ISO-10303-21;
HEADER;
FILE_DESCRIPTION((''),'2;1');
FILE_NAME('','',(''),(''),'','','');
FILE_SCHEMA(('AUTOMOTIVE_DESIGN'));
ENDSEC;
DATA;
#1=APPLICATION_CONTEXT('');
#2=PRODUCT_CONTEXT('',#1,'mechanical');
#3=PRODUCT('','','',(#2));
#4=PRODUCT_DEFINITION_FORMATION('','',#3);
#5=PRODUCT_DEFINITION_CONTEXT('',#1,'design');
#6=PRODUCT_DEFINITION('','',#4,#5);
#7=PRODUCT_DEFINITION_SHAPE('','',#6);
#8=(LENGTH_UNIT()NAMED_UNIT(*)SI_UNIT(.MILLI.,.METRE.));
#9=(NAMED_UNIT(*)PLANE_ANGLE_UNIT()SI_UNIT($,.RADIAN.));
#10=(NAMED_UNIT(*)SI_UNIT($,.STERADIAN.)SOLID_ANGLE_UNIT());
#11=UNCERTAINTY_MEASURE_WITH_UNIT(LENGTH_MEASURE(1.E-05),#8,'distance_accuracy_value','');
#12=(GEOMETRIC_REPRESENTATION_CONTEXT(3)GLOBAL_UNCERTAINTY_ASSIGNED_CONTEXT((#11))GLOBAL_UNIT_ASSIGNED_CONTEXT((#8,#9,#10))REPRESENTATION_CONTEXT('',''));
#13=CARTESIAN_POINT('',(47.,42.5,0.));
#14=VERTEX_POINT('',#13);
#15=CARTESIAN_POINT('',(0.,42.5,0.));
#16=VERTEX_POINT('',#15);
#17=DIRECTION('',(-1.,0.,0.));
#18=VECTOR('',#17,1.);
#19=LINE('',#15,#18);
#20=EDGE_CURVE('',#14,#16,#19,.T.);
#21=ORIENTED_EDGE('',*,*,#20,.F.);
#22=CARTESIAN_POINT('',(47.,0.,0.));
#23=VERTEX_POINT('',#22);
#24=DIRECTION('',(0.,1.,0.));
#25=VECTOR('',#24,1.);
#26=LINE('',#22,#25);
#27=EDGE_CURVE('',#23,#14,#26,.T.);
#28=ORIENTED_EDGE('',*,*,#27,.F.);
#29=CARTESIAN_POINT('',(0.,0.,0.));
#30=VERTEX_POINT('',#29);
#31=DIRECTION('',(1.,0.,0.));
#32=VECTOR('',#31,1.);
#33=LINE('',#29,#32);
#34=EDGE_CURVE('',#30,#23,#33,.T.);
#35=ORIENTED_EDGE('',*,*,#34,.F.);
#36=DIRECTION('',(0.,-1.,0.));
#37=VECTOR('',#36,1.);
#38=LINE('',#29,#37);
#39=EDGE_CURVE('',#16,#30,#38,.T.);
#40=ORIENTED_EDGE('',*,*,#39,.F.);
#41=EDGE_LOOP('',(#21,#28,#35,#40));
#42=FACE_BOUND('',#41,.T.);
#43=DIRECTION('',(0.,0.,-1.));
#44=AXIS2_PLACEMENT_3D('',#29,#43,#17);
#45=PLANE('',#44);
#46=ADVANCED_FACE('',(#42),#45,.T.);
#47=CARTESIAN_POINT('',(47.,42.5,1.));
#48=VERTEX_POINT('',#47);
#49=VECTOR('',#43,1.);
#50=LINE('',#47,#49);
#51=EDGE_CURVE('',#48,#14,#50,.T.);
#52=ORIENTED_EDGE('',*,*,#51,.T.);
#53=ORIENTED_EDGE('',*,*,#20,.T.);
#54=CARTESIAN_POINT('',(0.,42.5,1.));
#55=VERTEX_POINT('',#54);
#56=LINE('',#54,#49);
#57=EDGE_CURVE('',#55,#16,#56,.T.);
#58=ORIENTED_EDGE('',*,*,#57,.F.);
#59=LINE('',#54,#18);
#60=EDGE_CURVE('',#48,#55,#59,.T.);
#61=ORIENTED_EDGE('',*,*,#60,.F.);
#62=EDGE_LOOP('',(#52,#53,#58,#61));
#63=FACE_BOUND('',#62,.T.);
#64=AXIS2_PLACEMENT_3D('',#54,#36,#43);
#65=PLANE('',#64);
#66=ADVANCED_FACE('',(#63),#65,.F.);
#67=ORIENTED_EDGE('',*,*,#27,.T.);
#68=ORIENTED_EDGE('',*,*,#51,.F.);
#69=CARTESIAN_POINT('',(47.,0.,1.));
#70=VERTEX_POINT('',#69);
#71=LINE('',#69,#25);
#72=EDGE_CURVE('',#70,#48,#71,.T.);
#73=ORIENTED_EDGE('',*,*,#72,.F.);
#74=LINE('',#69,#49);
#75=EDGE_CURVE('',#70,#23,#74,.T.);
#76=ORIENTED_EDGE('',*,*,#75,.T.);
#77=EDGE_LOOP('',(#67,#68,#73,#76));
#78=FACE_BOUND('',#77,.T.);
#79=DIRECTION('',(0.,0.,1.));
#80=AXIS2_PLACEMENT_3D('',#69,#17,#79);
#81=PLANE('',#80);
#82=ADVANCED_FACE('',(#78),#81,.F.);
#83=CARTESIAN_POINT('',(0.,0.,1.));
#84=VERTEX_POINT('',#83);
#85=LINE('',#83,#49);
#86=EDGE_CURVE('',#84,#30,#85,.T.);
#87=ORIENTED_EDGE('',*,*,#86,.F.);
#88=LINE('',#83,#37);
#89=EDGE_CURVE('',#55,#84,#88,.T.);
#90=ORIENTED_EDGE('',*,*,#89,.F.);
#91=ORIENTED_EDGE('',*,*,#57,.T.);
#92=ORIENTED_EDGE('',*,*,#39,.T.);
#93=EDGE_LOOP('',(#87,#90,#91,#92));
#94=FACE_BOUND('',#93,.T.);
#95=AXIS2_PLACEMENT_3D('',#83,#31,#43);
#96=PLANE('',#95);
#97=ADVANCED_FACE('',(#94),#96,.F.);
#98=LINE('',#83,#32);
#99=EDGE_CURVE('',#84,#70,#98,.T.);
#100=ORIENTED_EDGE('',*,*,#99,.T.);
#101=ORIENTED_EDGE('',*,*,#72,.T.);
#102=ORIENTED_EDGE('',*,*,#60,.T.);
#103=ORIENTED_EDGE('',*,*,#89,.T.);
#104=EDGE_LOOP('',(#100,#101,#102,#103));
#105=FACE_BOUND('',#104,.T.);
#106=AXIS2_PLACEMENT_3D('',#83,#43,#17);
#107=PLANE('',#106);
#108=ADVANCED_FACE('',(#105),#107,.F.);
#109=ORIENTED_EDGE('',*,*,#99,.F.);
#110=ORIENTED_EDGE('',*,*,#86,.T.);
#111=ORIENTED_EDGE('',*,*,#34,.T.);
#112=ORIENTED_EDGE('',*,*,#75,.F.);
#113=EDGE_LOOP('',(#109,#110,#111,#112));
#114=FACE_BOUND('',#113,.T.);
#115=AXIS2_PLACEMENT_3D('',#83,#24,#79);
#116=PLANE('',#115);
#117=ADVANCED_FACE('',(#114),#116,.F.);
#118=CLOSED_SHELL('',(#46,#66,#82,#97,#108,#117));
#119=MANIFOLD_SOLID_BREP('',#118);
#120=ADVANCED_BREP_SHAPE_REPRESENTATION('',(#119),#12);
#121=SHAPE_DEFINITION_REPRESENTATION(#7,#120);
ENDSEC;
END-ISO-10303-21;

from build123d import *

# Parameters (mm, degrees)
ESQUISSE1_W        = 47
ESQUISSE1_H        = 42.5
BOSS_EXTRU_1_DEPTH = 1


with BuildPart() as part:
    # Esquisse1 → Boss.-Extru.1 (new body)
    with BuildSketch(Plane.XY):
        with Locations((23.5, 21.25)):
            Rectangle(ESQUISSE1_W, ESQUISSE1_H)
    extrude(amount=BOSS_EXTRU_1_DEPTH)


solid = part.part
